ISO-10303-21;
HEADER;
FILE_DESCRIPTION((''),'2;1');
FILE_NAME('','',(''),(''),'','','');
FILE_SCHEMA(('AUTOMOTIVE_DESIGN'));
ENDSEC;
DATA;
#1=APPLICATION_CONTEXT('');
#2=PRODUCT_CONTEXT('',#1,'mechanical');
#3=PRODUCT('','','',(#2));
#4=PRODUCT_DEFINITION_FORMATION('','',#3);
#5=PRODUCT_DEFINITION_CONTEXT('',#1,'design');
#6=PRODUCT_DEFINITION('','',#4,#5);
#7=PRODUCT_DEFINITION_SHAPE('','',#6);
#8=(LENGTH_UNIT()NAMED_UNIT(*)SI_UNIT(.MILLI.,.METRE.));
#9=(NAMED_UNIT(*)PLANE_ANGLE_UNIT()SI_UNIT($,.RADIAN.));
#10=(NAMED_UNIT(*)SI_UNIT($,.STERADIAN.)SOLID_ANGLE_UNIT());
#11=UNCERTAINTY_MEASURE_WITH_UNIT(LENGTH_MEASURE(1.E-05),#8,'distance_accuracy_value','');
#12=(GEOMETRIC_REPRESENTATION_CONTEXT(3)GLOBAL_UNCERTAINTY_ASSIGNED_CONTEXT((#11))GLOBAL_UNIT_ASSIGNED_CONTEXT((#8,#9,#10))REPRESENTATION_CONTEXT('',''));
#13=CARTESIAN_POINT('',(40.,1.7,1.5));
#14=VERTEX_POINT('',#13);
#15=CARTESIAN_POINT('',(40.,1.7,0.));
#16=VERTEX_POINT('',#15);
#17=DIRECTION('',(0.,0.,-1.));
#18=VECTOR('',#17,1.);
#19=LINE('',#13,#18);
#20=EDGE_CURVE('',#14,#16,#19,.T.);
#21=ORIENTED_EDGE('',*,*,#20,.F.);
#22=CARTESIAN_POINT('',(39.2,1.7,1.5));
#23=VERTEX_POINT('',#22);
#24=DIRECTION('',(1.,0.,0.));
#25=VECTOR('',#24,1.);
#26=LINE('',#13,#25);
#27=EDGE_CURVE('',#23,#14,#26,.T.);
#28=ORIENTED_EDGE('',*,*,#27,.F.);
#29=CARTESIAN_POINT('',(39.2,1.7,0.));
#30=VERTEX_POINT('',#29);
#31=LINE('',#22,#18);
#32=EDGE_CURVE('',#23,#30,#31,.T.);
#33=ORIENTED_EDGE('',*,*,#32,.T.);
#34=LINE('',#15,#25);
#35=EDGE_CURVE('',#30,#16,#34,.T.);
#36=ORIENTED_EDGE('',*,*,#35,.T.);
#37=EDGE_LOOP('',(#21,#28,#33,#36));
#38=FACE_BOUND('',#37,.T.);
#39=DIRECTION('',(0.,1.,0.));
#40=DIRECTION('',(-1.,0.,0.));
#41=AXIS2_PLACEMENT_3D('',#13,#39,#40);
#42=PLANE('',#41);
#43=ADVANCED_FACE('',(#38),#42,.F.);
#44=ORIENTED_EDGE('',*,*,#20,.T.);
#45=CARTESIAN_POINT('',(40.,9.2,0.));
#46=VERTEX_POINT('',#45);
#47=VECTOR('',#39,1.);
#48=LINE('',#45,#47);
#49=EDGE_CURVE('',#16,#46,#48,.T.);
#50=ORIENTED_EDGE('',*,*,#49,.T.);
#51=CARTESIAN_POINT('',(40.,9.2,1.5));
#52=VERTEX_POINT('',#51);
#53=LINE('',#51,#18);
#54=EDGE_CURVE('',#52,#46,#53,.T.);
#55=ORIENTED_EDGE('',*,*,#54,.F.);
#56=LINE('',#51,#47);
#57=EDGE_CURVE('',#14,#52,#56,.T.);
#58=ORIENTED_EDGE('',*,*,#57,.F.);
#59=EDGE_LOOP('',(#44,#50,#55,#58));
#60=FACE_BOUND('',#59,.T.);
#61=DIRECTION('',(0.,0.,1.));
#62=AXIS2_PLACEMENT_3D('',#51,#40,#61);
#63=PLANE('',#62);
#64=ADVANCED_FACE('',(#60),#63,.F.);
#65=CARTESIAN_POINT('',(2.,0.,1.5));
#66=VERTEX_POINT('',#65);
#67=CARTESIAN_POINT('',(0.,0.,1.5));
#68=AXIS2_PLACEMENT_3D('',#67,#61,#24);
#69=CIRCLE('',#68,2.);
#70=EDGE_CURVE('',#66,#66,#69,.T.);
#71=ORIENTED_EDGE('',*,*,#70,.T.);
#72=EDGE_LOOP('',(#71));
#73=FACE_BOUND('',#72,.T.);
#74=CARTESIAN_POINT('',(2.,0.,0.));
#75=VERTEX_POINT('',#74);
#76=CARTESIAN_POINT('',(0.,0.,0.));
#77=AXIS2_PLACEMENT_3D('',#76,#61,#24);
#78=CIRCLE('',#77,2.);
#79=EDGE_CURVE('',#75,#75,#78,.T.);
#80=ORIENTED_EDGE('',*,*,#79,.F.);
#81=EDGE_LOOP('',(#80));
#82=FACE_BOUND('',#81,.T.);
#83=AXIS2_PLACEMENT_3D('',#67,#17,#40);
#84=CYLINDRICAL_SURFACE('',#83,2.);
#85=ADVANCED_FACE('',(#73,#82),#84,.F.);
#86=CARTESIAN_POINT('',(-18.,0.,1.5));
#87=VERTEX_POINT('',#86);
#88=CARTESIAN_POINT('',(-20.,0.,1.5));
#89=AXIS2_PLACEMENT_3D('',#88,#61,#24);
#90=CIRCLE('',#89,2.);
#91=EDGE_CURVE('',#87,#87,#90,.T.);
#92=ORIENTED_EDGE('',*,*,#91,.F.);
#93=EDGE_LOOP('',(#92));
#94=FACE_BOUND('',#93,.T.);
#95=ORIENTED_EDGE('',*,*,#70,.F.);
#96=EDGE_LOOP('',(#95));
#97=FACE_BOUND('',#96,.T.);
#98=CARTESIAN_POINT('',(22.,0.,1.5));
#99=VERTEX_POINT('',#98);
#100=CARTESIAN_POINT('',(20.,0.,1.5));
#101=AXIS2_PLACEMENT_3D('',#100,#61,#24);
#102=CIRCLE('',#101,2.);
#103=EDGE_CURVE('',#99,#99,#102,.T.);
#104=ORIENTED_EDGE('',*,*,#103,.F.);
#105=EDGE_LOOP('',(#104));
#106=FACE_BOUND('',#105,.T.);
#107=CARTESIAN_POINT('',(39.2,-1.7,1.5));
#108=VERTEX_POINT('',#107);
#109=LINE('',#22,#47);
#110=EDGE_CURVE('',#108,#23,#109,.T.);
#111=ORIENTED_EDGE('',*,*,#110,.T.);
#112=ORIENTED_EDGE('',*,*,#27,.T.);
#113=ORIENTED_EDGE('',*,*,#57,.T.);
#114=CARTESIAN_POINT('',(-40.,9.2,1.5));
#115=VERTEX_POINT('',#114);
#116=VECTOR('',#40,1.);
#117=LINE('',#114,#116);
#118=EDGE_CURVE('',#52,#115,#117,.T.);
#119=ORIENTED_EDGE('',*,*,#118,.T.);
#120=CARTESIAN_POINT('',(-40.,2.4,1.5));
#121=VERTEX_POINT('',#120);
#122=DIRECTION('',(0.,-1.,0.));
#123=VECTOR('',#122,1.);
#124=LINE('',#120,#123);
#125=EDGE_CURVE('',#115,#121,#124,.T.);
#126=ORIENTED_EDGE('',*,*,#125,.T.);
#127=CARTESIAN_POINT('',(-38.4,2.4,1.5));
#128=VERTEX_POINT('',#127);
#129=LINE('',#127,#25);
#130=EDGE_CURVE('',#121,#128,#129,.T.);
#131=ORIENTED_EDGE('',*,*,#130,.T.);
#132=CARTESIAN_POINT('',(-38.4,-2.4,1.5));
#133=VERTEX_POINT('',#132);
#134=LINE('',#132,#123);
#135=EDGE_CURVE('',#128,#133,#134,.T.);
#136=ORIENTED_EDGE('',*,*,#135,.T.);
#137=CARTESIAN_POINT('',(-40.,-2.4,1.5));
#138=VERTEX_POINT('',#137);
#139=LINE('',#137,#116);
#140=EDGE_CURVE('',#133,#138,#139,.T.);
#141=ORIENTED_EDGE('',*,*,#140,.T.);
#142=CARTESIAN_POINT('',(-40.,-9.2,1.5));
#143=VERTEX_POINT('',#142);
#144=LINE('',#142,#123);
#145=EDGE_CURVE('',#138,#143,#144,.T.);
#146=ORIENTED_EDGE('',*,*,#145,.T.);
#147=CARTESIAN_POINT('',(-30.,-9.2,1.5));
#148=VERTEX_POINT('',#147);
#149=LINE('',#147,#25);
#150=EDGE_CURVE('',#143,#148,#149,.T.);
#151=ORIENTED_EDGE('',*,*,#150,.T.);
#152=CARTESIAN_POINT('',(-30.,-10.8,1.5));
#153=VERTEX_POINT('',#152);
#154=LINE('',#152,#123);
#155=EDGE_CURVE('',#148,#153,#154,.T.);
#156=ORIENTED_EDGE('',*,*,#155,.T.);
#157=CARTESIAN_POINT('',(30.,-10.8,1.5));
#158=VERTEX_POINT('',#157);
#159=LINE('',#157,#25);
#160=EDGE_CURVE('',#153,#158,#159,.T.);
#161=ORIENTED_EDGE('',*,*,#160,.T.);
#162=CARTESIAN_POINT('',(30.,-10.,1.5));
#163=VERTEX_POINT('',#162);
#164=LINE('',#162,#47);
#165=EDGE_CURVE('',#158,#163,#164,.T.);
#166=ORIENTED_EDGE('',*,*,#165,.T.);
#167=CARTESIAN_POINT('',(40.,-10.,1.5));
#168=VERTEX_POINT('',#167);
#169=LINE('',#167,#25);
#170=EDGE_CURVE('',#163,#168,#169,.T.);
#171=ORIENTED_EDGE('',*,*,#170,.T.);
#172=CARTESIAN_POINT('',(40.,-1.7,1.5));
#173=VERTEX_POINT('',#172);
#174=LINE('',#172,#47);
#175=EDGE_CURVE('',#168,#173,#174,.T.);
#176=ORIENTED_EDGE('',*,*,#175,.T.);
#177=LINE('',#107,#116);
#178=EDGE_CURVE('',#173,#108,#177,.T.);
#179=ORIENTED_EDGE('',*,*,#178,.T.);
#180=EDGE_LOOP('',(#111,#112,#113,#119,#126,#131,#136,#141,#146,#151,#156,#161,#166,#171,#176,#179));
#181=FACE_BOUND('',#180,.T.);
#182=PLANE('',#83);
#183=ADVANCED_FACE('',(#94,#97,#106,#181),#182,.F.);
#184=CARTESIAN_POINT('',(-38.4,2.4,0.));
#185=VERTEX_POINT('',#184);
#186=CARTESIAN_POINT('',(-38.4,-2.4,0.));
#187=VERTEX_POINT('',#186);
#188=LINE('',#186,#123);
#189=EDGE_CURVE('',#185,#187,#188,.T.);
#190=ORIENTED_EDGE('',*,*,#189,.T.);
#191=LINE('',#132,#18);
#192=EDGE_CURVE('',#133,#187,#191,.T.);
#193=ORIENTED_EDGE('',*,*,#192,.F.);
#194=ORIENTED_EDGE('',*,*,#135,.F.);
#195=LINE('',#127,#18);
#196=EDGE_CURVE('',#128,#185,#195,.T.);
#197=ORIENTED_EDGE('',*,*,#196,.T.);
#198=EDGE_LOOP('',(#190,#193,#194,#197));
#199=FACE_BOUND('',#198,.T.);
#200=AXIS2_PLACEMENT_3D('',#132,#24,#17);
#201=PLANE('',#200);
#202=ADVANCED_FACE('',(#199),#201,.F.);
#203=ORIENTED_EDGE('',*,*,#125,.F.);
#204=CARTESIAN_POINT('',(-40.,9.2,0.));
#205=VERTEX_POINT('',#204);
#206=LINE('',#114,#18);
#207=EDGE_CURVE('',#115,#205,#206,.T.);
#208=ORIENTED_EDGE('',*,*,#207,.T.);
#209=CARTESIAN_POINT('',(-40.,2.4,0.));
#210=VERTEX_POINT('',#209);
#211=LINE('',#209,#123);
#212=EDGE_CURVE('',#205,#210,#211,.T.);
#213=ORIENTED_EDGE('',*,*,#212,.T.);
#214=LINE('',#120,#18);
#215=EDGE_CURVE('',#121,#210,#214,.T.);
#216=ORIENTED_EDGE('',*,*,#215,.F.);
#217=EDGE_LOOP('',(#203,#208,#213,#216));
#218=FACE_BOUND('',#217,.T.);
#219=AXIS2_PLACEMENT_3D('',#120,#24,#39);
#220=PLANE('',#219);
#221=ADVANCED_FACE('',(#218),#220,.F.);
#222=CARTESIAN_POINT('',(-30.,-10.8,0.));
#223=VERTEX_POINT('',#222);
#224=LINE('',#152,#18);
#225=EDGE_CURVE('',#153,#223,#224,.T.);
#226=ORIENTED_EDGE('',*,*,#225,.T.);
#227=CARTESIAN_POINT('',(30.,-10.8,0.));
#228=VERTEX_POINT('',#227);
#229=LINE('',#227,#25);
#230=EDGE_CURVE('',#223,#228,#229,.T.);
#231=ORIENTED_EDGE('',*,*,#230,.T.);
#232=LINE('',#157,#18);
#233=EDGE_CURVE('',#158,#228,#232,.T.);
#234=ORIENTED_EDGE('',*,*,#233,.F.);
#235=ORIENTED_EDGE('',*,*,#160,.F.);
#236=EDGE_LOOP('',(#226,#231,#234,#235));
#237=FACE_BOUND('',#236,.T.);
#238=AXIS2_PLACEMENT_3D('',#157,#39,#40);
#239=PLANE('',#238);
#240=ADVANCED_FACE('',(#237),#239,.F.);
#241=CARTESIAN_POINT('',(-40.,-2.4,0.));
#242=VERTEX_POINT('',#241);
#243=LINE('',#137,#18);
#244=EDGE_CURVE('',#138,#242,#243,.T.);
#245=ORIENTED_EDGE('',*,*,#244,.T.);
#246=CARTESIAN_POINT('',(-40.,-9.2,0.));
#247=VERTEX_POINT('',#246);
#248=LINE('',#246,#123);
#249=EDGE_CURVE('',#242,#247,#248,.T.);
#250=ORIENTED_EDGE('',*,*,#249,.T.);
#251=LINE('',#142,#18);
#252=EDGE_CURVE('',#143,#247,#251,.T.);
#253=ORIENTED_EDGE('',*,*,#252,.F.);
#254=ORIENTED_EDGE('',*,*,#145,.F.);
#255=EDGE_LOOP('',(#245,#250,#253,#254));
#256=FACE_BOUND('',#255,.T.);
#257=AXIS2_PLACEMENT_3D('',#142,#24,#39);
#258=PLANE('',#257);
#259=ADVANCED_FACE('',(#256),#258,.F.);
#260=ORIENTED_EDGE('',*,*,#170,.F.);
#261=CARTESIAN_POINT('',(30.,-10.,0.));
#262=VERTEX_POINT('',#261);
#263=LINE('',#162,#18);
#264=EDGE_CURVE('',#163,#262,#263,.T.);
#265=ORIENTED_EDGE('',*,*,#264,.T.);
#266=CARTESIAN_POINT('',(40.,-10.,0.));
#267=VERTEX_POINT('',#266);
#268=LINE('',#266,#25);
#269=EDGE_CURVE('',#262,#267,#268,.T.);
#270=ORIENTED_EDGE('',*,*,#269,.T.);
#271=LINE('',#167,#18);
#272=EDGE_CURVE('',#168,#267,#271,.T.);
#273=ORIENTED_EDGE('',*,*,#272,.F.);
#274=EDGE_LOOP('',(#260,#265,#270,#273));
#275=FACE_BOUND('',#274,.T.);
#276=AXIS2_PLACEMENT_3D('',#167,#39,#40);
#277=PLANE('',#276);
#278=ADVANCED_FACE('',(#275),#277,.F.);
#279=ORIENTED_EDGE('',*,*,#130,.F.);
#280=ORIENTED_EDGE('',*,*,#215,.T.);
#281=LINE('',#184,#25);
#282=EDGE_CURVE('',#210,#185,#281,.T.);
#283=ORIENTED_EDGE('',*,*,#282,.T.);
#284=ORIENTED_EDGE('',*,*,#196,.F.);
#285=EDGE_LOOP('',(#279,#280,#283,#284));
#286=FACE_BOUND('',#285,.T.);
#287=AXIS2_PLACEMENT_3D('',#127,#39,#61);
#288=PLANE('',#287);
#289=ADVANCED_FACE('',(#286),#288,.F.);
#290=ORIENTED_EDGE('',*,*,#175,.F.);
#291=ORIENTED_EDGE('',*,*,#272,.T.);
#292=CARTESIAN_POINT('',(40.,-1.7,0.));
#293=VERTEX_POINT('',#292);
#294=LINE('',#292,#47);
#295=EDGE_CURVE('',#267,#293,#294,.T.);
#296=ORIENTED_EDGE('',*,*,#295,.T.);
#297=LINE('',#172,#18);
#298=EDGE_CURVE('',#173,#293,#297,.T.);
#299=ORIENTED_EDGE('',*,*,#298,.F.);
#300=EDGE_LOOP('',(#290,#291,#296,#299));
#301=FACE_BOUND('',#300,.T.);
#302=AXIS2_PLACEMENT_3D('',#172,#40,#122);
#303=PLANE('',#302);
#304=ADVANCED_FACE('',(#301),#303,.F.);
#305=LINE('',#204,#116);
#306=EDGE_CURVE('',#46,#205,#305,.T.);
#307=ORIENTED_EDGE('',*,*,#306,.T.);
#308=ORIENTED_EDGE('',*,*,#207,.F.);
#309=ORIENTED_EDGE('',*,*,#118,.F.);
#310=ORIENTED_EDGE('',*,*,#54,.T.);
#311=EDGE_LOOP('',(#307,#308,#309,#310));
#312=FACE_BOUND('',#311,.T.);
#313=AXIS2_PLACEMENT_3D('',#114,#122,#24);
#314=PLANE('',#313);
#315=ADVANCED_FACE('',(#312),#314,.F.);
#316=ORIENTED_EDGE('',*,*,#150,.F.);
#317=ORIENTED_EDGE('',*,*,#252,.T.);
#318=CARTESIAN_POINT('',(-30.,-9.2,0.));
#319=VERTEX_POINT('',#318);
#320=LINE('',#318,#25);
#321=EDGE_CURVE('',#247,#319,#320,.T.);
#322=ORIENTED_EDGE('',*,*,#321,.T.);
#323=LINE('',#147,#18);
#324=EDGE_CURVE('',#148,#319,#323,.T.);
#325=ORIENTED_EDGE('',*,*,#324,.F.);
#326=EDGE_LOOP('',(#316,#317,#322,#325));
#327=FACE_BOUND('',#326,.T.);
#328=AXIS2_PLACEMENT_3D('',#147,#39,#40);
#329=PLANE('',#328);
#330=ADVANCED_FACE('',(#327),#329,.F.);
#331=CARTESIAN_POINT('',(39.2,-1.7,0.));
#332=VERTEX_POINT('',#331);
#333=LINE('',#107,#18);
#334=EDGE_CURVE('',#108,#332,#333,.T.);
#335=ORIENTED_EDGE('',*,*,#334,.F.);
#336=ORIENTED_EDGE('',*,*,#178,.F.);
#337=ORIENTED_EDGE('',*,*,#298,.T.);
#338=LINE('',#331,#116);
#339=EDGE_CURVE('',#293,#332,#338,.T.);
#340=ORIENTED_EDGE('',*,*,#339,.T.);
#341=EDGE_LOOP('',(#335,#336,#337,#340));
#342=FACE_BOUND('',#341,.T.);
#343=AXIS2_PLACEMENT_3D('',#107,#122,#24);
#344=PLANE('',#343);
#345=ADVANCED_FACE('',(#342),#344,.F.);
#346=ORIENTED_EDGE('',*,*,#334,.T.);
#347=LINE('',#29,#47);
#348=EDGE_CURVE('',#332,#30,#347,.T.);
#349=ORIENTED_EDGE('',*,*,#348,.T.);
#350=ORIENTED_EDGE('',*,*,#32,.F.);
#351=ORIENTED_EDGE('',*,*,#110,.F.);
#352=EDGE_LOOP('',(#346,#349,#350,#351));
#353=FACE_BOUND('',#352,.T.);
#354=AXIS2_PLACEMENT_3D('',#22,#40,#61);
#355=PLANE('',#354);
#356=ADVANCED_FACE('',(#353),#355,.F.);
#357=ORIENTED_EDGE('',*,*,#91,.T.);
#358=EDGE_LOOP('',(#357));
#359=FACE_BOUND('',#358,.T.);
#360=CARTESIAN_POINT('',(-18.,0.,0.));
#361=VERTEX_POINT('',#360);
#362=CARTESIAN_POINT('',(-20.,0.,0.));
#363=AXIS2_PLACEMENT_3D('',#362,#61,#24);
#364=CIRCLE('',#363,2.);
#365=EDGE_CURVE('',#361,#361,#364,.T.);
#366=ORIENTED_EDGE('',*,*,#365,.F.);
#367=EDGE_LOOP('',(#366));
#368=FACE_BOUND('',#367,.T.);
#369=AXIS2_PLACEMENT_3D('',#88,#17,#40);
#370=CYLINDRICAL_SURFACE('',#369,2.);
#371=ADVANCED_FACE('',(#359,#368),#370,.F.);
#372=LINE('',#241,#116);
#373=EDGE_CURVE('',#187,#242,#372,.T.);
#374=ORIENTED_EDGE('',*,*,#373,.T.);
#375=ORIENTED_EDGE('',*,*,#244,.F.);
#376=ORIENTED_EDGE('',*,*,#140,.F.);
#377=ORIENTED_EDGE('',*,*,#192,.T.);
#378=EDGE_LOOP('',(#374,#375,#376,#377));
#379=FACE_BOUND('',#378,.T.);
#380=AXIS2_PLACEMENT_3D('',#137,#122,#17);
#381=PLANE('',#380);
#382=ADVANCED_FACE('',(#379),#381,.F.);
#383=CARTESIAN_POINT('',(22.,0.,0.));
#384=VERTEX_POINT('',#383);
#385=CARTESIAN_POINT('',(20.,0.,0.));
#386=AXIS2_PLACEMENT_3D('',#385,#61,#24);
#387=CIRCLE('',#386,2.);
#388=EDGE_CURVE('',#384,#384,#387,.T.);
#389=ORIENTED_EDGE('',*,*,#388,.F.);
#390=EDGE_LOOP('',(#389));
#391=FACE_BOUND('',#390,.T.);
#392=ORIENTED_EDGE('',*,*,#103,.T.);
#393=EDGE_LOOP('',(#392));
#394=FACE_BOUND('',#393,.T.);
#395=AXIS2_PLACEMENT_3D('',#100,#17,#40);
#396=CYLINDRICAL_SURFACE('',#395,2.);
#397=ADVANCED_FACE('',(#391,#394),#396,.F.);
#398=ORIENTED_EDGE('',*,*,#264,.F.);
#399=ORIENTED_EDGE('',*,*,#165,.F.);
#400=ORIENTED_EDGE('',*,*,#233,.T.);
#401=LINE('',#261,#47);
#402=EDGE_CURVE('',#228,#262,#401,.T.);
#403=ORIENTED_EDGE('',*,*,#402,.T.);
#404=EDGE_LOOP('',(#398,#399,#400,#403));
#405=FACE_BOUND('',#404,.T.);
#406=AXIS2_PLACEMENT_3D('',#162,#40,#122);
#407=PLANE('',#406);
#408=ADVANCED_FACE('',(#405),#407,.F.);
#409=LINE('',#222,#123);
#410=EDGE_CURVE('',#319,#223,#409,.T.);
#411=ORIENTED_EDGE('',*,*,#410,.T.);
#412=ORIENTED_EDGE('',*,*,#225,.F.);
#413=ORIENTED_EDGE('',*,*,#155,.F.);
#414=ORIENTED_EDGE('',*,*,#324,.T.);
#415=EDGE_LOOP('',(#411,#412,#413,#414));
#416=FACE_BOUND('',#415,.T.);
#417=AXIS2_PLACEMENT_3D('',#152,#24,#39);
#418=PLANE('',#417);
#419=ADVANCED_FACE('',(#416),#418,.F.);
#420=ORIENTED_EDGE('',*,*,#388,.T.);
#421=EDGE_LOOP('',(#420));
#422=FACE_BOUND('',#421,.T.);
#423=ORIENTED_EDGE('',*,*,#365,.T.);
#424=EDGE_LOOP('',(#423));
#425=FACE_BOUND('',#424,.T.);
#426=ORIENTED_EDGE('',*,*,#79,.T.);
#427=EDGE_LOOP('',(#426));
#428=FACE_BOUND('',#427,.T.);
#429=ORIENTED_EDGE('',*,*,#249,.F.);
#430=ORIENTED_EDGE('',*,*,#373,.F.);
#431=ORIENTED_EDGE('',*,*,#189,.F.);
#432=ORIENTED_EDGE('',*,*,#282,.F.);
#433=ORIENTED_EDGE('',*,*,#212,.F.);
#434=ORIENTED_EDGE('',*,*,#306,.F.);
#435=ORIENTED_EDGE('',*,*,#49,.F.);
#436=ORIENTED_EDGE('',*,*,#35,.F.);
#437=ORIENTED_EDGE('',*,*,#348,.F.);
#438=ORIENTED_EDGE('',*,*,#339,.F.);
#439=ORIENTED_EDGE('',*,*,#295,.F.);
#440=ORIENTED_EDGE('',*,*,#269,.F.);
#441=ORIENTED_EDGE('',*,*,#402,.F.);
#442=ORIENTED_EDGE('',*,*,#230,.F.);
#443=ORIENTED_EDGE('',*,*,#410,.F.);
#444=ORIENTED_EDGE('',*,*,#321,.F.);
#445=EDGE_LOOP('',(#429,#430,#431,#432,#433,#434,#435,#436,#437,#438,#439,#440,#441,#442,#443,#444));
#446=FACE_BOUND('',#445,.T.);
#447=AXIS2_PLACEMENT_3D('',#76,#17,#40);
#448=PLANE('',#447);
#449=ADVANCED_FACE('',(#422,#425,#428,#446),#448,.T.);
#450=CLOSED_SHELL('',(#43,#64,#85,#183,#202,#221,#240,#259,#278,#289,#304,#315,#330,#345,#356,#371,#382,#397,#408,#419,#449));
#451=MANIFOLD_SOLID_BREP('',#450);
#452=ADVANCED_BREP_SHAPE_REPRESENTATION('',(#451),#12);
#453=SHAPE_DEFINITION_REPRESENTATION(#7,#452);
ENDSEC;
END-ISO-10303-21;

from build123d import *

# Parameters (mm, degrees)
CROQUIS1_R              = 2
SALIENTE_EXTRUIR1_DEPTH = 1.5


with BuildPart() as part:
    # Croquis1 → Saliente-Extruir1 (new body)
    with BuildSketch(Plane.XY):
        Polygon((-40, 9.2), (40, 9.2), (40, 1.7), (39.2, 1.7), (39.2, -1.7), (40, -1.7), (40, -10), (30, -10), (30, -10.8), (-30, -10.8), (-30, -9.2), (-40, -9.2), (-40, -2.4), (-38.4, -2.4), (-38.4, 2.4), (-40, 2.4), align=None)
        with Locations((20, 0)):
            Circle(CROQUIS1_R, mode=Mode.SUBTRACT)
        Circle(CROQUIS1_R, mode=Mode.SUBTRACT)
        with Locations((-20, 0)):
            Circle(CROQUIS1_R, mode=Mode.SUBTRACT)
    extrude(amount=SALIENTE_EXTRUIR1_DEPTH)


solid = part.part
